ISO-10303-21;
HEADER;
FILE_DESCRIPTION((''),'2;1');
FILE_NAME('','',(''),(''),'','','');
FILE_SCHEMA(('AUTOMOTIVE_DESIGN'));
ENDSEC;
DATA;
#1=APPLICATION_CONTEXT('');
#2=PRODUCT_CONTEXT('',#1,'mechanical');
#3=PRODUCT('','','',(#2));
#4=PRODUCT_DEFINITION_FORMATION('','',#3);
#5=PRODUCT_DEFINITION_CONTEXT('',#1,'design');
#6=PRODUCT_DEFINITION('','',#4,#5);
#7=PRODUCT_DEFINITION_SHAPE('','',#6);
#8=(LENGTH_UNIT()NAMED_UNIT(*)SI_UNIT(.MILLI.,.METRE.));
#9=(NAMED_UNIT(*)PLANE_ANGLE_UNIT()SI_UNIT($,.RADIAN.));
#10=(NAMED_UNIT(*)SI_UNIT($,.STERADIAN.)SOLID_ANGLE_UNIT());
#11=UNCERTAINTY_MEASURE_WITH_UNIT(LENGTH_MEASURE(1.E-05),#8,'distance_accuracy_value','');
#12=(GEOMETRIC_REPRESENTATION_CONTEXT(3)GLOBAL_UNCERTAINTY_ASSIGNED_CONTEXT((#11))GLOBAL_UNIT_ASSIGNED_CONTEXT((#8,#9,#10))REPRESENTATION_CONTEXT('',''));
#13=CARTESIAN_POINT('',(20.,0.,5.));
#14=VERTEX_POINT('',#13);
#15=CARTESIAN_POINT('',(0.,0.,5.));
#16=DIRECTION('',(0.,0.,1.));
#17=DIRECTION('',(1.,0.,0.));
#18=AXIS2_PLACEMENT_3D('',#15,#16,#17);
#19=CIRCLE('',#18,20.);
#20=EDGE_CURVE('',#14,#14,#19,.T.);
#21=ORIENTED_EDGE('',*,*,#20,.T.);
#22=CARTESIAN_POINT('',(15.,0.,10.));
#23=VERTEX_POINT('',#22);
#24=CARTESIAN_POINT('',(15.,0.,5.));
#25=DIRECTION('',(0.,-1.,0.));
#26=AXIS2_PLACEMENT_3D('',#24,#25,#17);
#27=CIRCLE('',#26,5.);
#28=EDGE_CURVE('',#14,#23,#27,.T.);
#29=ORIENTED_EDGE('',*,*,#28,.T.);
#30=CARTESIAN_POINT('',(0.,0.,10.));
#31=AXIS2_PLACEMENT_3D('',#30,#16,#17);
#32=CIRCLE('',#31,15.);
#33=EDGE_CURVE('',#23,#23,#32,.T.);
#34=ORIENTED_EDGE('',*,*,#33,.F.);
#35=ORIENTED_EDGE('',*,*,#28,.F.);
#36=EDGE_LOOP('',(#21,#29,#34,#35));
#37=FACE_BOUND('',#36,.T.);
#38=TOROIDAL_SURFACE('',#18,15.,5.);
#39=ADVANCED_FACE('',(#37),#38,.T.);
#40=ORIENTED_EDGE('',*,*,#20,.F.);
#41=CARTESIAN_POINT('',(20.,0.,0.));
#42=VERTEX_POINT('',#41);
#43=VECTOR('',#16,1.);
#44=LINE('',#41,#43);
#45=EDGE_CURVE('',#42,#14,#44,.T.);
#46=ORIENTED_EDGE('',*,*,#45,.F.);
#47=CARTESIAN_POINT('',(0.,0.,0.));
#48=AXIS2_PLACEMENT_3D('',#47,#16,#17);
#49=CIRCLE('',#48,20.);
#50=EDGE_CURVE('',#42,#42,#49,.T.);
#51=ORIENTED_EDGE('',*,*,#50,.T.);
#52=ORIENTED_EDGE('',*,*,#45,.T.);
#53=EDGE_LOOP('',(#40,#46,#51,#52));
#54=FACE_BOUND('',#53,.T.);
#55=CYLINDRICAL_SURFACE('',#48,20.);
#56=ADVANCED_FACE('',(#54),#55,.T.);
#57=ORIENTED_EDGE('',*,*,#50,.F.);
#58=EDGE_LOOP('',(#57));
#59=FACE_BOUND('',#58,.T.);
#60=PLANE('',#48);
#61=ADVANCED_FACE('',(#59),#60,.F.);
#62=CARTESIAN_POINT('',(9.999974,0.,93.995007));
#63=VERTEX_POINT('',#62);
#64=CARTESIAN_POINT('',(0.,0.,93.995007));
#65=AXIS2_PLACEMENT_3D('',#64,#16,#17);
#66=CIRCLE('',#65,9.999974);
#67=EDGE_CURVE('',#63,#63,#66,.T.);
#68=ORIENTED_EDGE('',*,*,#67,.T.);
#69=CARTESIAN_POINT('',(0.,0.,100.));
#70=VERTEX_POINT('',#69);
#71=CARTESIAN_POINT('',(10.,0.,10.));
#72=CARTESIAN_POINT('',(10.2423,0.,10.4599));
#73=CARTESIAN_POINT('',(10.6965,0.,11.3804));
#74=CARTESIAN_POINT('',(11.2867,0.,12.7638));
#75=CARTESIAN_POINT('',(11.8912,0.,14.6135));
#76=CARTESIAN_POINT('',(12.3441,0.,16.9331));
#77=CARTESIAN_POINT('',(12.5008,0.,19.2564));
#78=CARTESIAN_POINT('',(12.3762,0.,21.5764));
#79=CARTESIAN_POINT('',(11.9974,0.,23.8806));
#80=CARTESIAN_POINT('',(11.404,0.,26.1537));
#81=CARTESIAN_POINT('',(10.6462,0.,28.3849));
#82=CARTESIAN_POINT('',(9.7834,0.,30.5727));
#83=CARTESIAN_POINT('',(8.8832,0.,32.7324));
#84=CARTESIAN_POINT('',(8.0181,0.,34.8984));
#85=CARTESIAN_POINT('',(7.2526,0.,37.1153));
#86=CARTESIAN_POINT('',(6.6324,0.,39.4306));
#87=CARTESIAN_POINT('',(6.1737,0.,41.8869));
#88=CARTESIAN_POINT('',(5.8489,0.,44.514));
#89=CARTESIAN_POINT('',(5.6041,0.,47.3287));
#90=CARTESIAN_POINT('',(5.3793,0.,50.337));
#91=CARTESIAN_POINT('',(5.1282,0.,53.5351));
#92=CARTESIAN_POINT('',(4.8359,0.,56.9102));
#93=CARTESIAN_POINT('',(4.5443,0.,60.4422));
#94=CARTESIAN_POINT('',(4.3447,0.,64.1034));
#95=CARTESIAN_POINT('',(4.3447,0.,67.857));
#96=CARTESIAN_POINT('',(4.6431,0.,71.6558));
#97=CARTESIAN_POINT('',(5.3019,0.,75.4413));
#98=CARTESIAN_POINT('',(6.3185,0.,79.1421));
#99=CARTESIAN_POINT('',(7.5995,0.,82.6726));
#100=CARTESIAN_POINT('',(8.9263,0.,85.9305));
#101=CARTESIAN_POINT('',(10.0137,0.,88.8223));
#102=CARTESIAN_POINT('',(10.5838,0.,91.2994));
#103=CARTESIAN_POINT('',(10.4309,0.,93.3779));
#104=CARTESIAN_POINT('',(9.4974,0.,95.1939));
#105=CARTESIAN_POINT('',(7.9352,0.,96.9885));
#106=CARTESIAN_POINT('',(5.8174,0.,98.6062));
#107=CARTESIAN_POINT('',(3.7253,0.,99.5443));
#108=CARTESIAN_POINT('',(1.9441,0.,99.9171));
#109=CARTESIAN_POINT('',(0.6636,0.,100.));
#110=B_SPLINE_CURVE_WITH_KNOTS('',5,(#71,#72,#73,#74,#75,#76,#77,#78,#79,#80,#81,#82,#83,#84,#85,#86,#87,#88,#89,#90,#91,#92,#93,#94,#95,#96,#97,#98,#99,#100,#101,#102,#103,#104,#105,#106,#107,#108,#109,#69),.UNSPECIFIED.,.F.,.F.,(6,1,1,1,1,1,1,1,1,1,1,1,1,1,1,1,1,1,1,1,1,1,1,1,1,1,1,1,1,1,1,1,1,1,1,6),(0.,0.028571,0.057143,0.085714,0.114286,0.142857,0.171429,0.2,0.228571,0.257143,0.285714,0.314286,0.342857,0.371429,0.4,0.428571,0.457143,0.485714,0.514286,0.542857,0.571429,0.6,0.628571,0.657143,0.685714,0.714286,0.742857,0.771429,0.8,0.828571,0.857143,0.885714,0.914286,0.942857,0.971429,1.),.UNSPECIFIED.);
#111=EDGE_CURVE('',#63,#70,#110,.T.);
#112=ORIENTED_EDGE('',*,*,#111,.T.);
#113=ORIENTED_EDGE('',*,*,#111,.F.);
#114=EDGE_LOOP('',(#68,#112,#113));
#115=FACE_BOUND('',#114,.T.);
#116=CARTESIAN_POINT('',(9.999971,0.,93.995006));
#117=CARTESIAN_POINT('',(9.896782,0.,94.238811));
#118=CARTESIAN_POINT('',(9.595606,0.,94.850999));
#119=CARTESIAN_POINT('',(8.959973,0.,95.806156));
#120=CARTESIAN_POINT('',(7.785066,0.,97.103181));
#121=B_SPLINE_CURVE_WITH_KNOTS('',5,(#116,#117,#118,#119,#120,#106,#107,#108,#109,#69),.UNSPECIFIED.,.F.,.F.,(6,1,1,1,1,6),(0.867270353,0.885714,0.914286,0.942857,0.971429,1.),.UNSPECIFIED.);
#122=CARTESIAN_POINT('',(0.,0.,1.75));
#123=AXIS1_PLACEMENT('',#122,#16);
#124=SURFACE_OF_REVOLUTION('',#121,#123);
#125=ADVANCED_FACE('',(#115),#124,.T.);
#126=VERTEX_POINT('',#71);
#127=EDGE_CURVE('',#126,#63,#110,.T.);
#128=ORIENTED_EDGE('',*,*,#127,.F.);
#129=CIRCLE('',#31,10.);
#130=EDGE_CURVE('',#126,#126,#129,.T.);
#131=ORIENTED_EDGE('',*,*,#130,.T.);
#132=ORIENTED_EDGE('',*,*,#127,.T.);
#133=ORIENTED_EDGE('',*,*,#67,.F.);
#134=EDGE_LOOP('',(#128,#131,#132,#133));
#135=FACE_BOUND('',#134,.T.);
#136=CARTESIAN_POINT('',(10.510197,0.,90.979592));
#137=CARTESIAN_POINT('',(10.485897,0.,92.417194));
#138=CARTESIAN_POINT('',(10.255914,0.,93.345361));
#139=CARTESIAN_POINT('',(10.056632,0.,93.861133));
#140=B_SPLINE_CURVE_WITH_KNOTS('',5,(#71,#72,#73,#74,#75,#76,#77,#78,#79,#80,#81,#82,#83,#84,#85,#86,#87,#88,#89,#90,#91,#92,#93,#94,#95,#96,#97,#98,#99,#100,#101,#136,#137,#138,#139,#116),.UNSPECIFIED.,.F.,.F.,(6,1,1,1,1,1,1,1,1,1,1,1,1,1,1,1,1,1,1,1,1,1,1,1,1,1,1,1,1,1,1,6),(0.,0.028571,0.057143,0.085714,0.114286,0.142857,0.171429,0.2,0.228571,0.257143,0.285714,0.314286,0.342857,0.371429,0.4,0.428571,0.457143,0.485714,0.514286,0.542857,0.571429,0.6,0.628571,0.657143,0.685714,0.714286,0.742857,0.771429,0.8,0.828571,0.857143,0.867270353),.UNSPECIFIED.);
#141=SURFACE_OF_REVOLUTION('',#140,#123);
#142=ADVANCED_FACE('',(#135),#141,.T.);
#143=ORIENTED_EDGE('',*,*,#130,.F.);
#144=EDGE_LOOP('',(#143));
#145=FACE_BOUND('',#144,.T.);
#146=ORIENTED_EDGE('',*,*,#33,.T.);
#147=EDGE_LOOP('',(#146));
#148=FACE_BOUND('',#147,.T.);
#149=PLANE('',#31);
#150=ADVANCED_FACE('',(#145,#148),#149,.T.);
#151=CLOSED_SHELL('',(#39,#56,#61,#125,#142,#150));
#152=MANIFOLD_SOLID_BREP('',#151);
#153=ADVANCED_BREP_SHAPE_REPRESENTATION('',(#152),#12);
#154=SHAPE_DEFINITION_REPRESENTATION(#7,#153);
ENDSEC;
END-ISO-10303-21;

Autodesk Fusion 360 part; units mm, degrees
sketch "Sketch1" plane through (0, 0, 0) normal (0, 1, 0) x (1, 0, 0)
  line L0 (0, 0) -> (20, 0)
  line L1 (0, 0) -> (0, -10)
  line L2 (0, -10) -> (10, -10)
  line L3 (20, 0) -> (20, -10)
  line L4 (20, -10) -> (10, -10)
  line L5 (0, 0) -> (0, -100)
  spline S0 degree 5 poles (10, -10) (10.2423, -10.4599) (10.6965, -11.3804) (11.2867, -12.7638) (11.8912, -14.6135) (12.3441, -16.9331) (12.5008, -19.2564) (12.3762, -21.5764) (11.9974, -23.8806) (11.404, -26.1537) (10.6462, -28.3849) (9.7834, -30.5727) (8.8832, -32.7324) (8.0181, -34.8984) (7.2526, -37.1153) (6.6324, -39.4306) (6.1737, -41.8869) (5.8489, -44.514) (5.6041, -47.3287) (5.3793, -50.337) (5.1282, -53.5351) (4.8359, -56.9102) (4.5443, -60.4422) (4.3447, -64.1034) (4.3447, -67.857) (4.6431, -71.6558) (5.3019, -75.4413) (6.3185, -79.1421) (7.5995, -82.6726) (8.9263, -85.9305) (10.0137, -88.8223) (10.5838, -91.2994) (10.4309, -93.3779) (9.4974, -95.1939) (7.9352, -96.9885) (5.8174, -98.6062) (3.7253, -99.5443) (1.9441, -99.9171) (0.6636, -100) (0, -100) knots 0 0 0 0 0 0 0.028571 0.057143 0.085714 0.114286 0.142857 0.171429 0.2 0.228571 0.257143 0.285714 0.314286 0.342857 0.371429 0.4 0.428571 0.457143 0.485714 0.514286 0.542857 0.571429 0.6 0.628571 0.657143 0.685714 0.714286 0.742857 0.771429 0.8 0.828571 0.857143 0.885714 0.914286 0.942857 0.971429 1 1 1 1 1 1
  line L6 (12.5504, -87.9691) -> (7.4496, -100.0208)
  line L7 (11.5931, -100) -> (-11.5931, -100)
  point P0 (12.4144, -20.2134)
  point P1 (10, -30)
  point P2 (6.6101, -39.7471)
  point P3 (5, -55)
  point P4 (6.5317, -79.562)
  point P5 (10, -93.995)
  dimension "d1" = 20
revolve "Revolve1" add sketch "Sketch1" angle 360 about axis through (0, 0, 1.75) along (0, 0, 1) contours L0 L1 L2 L3 L4 L5 | L2 L5 S0
fillet "Fillet1" radius 5 1 edges at (-18.6465, -7.2323, 10)
